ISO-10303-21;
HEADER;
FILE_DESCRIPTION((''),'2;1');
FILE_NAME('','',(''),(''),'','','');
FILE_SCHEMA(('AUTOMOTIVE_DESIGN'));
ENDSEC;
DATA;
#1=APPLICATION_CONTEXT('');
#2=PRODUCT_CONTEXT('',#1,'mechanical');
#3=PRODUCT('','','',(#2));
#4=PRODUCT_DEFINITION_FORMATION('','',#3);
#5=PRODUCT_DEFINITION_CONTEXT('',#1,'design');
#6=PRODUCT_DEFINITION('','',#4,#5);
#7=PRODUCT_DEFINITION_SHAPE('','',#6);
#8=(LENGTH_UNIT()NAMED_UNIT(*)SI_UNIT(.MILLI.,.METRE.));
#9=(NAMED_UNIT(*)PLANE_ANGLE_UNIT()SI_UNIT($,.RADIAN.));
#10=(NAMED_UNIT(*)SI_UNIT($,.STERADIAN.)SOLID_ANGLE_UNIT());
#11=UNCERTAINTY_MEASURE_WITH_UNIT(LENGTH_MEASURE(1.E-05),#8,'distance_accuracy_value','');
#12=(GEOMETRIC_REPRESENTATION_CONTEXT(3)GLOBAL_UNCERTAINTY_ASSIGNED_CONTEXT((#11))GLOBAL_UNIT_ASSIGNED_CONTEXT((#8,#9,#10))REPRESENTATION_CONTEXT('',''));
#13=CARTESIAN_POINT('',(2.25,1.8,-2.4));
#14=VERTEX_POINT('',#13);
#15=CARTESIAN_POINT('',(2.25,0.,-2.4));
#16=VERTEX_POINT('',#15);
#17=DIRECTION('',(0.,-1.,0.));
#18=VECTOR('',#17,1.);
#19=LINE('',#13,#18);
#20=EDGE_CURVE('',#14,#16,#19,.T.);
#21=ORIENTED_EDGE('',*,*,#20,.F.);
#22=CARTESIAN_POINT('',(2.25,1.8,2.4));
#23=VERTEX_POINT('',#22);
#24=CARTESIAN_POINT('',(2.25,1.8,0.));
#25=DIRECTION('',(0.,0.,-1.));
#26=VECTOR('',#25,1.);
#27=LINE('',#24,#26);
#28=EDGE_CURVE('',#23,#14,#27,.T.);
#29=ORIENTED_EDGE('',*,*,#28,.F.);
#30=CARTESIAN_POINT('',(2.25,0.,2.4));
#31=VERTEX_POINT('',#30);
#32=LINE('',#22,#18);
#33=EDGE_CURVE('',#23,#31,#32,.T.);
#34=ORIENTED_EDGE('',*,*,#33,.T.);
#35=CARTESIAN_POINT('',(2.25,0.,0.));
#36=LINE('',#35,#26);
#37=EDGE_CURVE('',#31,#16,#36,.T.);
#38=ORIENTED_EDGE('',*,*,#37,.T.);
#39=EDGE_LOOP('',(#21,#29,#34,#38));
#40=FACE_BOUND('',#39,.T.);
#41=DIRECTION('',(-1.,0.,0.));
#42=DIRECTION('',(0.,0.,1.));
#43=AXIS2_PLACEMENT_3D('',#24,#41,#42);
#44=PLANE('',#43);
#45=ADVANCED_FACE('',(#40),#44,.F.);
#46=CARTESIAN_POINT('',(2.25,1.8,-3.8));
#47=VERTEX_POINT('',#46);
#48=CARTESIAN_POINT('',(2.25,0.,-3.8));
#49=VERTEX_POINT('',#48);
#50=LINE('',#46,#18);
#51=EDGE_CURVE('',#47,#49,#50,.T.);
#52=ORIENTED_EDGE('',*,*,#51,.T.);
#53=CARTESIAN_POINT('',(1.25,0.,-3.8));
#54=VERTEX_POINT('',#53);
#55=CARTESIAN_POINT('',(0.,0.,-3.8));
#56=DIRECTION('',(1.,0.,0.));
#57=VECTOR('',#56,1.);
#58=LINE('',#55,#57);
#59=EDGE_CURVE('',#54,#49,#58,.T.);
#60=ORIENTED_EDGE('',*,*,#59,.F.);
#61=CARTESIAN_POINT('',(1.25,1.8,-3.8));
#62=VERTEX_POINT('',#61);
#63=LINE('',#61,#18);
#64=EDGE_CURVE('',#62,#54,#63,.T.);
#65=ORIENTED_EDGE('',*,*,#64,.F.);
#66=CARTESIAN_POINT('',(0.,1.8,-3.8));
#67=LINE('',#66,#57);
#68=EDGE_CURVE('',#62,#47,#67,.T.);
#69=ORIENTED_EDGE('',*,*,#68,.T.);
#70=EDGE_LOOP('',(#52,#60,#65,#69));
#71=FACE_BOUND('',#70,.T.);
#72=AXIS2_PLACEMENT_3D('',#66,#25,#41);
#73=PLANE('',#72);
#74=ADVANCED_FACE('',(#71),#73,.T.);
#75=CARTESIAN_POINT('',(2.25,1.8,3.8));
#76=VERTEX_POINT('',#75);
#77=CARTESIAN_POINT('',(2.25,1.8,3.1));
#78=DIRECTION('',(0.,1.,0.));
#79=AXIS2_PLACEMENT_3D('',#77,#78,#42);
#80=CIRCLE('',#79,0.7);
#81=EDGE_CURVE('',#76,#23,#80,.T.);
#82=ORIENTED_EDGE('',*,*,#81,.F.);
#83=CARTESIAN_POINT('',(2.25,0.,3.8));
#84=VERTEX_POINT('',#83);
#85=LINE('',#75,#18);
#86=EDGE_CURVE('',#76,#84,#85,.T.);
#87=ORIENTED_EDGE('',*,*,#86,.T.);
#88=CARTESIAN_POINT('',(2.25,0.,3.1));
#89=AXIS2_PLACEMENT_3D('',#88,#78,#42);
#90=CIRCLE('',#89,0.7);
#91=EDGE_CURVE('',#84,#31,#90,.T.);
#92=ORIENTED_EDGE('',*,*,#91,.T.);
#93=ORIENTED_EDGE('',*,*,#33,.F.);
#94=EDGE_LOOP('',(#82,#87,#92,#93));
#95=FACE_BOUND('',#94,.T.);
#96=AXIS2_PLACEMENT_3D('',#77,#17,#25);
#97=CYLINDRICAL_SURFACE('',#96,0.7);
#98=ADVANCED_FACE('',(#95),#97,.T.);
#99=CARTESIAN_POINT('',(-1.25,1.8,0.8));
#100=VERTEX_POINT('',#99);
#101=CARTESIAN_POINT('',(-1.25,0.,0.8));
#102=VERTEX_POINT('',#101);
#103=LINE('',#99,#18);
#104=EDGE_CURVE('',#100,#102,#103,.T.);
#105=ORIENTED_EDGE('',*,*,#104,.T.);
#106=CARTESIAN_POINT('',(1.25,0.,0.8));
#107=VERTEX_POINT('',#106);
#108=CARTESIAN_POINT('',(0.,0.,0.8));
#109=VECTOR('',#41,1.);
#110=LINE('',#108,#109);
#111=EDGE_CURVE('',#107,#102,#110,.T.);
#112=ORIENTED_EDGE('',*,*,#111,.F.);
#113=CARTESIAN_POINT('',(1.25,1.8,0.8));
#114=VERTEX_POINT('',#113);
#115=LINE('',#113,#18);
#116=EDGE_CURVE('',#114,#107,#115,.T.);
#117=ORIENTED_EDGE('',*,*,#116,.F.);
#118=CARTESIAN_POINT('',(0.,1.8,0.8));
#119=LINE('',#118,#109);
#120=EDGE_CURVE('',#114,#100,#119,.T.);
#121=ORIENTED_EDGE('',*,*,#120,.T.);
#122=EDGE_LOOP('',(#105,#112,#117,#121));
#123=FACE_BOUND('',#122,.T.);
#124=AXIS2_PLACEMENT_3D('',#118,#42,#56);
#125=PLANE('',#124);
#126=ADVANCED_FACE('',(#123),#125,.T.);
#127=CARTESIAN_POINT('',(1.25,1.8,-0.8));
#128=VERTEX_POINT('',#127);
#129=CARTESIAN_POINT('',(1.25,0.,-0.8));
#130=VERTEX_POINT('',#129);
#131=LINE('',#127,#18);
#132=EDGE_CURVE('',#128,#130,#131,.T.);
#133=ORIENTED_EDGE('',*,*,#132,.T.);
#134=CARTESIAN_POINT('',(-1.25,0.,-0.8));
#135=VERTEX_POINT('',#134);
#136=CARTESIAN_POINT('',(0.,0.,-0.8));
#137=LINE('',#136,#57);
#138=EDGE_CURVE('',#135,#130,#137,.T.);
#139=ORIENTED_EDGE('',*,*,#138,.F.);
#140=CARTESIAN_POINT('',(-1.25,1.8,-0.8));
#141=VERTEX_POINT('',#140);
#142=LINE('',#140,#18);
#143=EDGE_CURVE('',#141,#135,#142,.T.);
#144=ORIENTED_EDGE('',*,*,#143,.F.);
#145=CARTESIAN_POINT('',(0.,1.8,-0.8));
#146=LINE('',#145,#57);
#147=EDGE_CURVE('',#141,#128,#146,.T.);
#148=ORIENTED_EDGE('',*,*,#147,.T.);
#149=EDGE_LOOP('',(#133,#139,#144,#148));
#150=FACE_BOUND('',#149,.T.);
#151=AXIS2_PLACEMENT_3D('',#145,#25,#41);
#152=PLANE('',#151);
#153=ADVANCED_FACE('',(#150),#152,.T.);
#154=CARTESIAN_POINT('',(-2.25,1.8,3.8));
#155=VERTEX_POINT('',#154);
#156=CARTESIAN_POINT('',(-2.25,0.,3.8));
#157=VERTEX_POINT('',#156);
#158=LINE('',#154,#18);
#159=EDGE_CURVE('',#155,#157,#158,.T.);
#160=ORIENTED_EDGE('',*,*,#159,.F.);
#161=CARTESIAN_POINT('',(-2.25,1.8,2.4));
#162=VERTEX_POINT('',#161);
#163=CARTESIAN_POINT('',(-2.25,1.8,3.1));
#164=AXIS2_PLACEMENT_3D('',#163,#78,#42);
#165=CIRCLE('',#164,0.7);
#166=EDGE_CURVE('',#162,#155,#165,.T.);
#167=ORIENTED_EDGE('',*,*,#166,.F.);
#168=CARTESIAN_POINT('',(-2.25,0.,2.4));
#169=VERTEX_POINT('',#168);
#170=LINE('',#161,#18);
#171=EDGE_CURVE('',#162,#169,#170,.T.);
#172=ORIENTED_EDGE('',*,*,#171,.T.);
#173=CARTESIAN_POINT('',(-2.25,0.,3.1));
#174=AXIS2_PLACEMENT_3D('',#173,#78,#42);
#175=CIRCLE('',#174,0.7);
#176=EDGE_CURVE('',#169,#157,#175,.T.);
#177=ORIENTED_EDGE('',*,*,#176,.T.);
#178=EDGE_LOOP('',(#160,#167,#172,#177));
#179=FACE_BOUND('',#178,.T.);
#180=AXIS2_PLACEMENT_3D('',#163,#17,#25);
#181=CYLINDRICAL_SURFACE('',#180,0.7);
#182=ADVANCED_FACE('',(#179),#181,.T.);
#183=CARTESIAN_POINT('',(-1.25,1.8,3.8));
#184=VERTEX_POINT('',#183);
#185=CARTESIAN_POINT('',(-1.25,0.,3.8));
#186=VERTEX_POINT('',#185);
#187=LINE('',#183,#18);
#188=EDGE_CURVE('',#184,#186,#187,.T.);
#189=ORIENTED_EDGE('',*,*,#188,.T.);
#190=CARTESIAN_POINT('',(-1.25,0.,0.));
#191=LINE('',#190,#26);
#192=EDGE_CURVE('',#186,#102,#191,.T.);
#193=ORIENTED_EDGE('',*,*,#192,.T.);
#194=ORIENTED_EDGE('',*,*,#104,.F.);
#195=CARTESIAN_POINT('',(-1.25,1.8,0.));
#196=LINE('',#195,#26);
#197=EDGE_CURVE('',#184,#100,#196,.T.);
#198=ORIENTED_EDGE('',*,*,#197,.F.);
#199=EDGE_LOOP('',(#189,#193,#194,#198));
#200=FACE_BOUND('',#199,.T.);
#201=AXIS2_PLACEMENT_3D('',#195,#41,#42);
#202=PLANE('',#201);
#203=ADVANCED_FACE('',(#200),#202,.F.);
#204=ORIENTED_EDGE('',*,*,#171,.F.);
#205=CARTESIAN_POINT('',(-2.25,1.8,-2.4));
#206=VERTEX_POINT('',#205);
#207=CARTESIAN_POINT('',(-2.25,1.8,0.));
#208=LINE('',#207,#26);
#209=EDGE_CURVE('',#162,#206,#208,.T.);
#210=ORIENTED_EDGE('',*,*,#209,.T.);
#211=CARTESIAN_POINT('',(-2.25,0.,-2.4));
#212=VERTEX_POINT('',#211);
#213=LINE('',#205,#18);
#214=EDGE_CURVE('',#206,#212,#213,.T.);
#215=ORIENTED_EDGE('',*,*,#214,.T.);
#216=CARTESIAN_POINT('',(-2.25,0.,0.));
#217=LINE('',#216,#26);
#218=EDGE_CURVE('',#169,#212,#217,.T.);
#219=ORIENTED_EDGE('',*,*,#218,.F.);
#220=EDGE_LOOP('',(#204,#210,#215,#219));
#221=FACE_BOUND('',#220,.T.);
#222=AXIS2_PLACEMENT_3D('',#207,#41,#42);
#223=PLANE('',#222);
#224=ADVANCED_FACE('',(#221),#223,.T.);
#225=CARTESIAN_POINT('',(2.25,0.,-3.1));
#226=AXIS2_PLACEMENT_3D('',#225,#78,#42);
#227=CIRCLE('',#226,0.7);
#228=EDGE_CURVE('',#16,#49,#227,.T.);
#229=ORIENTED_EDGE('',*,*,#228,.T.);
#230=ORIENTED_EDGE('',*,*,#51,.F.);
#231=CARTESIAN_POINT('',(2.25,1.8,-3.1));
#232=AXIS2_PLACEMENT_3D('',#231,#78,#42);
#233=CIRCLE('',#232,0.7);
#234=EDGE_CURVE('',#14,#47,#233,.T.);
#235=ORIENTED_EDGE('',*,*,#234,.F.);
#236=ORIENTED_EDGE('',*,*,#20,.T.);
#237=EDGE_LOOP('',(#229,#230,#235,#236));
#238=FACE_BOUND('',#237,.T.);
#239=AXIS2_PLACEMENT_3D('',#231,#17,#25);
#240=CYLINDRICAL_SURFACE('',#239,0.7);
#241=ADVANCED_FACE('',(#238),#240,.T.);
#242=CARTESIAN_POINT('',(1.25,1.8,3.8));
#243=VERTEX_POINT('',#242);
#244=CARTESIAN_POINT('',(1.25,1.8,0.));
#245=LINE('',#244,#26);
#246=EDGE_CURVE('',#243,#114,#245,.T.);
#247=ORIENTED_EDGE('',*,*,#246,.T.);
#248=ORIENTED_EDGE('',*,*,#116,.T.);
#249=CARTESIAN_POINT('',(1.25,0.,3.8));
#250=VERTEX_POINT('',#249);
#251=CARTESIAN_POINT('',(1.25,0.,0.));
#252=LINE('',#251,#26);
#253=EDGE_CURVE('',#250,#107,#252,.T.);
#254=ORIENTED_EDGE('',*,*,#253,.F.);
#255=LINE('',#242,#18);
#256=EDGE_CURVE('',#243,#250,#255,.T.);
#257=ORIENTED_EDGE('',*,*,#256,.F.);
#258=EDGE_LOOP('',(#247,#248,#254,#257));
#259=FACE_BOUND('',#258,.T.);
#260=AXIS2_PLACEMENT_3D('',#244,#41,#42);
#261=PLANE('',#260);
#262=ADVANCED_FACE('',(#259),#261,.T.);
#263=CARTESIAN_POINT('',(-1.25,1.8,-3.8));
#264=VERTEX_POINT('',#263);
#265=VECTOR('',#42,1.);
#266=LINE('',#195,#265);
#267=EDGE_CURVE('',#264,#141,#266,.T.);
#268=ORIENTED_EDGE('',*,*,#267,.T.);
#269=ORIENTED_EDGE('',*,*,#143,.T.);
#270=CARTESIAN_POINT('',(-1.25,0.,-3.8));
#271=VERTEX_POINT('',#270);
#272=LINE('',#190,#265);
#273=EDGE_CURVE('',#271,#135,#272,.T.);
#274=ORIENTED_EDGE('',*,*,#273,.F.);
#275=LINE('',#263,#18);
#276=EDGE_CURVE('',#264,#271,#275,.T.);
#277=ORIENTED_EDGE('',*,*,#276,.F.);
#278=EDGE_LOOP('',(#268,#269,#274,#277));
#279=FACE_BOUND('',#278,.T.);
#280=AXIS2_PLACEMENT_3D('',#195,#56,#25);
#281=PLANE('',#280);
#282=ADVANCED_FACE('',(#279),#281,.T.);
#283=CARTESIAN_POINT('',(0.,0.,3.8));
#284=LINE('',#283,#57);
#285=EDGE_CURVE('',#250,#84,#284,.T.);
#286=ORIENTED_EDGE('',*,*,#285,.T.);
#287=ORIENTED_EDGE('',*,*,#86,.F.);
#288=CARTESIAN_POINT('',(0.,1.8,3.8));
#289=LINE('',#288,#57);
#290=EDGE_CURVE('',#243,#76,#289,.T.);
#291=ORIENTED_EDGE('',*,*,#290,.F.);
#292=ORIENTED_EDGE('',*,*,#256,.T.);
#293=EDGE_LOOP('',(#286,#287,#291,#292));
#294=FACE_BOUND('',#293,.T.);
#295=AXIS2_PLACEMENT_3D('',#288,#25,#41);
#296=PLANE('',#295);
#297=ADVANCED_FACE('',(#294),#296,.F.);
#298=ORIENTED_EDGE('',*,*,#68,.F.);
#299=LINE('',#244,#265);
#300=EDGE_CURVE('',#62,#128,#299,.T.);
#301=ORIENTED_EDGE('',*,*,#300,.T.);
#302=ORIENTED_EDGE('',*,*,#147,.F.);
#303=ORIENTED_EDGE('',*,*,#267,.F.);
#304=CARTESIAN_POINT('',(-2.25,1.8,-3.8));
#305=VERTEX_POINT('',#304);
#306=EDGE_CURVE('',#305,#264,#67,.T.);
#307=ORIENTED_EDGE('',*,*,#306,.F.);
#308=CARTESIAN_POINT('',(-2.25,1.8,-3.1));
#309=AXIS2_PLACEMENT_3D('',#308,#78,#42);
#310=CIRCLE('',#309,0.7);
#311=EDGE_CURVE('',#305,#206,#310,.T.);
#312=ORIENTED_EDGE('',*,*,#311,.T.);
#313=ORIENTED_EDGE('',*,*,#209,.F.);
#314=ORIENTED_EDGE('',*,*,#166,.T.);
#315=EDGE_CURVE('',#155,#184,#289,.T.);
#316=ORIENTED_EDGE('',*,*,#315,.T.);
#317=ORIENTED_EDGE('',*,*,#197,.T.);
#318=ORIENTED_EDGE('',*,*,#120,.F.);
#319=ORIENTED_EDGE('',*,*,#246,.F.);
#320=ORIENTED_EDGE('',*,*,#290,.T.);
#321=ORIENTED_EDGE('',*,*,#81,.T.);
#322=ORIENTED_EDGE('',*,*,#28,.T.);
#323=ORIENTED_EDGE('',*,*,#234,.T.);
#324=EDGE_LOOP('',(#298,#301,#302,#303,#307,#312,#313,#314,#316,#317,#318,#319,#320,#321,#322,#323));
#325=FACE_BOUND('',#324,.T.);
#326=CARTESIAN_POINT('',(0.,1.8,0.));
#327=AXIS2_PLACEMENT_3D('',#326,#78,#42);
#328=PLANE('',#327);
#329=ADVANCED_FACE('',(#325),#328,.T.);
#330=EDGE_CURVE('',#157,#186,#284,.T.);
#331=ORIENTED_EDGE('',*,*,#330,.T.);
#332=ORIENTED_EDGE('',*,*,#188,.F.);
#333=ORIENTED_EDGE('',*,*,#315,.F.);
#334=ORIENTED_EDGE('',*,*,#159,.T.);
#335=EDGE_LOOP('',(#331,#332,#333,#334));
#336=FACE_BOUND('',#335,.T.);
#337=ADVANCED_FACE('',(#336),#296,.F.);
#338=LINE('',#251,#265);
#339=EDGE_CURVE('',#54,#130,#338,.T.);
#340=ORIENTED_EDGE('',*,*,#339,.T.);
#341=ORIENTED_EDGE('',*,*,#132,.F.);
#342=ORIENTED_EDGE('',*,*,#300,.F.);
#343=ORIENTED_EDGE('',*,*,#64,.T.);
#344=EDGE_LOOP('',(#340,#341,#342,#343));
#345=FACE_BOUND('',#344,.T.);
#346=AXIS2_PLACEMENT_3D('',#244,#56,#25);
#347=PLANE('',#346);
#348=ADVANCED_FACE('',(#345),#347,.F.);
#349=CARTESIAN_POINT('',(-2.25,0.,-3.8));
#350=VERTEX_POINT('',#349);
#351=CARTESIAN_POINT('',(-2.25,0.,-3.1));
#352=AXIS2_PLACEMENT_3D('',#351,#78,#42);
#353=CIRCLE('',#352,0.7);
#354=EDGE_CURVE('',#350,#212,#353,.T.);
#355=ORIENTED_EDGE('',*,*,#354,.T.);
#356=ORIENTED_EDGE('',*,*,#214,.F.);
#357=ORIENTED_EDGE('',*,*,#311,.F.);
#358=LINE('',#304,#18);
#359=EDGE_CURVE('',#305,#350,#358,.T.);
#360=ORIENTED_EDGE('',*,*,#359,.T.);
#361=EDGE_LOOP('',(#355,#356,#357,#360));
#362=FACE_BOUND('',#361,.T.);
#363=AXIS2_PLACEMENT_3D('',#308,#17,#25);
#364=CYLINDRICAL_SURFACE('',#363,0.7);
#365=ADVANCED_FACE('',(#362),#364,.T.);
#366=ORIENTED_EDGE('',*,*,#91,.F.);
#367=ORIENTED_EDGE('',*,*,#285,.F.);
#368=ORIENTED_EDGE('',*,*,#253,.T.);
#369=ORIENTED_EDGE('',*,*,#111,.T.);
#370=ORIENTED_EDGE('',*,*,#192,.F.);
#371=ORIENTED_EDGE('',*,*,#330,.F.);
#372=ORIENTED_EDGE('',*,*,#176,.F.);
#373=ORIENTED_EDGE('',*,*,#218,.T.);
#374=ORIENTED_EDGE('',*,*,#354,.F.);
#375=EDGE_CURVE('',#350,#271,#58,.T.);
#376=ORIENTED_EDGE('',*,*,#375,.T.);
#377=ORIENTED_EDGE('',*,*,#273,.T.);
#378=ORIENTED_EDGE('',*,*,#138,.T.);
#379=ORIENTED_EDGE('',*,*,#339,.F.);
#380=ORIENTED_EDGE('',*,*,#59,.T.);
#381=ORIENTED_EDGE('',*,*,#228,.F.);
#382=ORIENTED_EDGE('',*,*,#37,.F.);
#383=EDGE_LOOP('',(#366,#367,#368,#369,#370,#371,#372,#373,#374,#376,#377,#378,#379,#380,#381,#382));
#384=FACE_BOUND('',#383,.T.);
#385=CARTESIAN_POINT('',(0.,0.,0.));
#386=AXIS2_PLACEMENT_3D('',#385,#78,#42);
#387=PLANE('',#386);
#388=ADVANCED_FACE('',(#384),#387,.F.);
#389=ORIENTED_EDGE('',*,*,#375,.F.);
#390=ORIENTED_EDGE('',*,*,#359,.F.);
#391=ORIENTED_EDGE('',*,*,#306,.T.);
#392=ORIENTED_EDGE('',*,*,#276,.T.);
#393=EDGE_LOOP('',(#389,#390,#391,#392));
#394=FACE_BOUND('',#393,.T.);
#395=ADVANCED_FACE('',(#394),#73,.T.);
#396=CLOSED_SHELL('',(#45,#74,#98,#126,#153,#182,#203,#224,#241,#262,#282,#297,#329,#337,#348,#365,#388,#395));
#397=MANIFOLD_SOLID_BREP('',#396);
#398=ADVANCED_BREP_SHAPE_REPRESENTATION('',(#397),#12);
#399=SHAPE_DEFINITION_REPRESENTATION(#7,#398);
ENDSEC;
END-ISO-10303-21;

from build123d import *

# Parameters (mm, degrees)
SKETCH1_W           = 1
SKETCH1_H           = 1.4
BOSS_EXTRUDE1_DEPTH = 1.8


with BuildPart() as part:
    # Sketch1 → Boss-Extrude1 (new body)
    with BuildSketch(Plane(origin=(0, 0, 0), x_dir=(1, 0, 0), z_dir=(0, 1, 0))):
        Polygon((-2.25, 2.4), (-2.25, -2.4), (-1.25, -2.4), (-1.25, -0.8), (1.25, -0.8), (1.25, -2.4), (2.25, -2.4), (2.25, 2.4), (1.25, 2.4), (1.25, 0.8), (-1.25, 0.8), (-1.25, 2.4), align=None)
        with Locations((-1.75, 3.1)):
            Rectangle(SKETCH1_W, SKETCH1_H)
        with BuildLine():
            ThreePointArc((-2.25, 3.8), (-2.95, 3.1), (-2.25, 2.4))
            Line((-2.25, 2.4), (-2.25, 3.8))
        make_face()
        with Locations((1.75, 3.1)):
            Rectangle(SKETCH1_W, SKETCH1_H)
        with BuildLine():
            Line((2.25, 3.8), (2.25, 2.4))
            ThreePointArc((2.25, 2.4), (2.95, 3.1), (2.25, 3.8))
        make_face()
        with BuildLine():
            Line((2.25, -2.4), (2.25, -3.8))
            ThreePointArc((2.25, -3.8), (2.95, -3.1), (2.25, -2.4))
        make_face()
        with Locations((1.75, -3.1)):
            Rectangle(SKETCH1_W, SKETCH1_H)
        with Locations((-1.75, -3.1)):
            Rectangle(SKETCH1_W, SKETCH1_H)
        with BuildLine():
            ThreePointArc((-2.25, -2.4), (-2.95, -3.1), (-2.25, -3.8))
            Line((-2.25, -3.8), (-2.25, -2.4))
        make_face()
    extrude(amount=BOSS_EXTRUDE1_DEPTH)


solid = part.part
